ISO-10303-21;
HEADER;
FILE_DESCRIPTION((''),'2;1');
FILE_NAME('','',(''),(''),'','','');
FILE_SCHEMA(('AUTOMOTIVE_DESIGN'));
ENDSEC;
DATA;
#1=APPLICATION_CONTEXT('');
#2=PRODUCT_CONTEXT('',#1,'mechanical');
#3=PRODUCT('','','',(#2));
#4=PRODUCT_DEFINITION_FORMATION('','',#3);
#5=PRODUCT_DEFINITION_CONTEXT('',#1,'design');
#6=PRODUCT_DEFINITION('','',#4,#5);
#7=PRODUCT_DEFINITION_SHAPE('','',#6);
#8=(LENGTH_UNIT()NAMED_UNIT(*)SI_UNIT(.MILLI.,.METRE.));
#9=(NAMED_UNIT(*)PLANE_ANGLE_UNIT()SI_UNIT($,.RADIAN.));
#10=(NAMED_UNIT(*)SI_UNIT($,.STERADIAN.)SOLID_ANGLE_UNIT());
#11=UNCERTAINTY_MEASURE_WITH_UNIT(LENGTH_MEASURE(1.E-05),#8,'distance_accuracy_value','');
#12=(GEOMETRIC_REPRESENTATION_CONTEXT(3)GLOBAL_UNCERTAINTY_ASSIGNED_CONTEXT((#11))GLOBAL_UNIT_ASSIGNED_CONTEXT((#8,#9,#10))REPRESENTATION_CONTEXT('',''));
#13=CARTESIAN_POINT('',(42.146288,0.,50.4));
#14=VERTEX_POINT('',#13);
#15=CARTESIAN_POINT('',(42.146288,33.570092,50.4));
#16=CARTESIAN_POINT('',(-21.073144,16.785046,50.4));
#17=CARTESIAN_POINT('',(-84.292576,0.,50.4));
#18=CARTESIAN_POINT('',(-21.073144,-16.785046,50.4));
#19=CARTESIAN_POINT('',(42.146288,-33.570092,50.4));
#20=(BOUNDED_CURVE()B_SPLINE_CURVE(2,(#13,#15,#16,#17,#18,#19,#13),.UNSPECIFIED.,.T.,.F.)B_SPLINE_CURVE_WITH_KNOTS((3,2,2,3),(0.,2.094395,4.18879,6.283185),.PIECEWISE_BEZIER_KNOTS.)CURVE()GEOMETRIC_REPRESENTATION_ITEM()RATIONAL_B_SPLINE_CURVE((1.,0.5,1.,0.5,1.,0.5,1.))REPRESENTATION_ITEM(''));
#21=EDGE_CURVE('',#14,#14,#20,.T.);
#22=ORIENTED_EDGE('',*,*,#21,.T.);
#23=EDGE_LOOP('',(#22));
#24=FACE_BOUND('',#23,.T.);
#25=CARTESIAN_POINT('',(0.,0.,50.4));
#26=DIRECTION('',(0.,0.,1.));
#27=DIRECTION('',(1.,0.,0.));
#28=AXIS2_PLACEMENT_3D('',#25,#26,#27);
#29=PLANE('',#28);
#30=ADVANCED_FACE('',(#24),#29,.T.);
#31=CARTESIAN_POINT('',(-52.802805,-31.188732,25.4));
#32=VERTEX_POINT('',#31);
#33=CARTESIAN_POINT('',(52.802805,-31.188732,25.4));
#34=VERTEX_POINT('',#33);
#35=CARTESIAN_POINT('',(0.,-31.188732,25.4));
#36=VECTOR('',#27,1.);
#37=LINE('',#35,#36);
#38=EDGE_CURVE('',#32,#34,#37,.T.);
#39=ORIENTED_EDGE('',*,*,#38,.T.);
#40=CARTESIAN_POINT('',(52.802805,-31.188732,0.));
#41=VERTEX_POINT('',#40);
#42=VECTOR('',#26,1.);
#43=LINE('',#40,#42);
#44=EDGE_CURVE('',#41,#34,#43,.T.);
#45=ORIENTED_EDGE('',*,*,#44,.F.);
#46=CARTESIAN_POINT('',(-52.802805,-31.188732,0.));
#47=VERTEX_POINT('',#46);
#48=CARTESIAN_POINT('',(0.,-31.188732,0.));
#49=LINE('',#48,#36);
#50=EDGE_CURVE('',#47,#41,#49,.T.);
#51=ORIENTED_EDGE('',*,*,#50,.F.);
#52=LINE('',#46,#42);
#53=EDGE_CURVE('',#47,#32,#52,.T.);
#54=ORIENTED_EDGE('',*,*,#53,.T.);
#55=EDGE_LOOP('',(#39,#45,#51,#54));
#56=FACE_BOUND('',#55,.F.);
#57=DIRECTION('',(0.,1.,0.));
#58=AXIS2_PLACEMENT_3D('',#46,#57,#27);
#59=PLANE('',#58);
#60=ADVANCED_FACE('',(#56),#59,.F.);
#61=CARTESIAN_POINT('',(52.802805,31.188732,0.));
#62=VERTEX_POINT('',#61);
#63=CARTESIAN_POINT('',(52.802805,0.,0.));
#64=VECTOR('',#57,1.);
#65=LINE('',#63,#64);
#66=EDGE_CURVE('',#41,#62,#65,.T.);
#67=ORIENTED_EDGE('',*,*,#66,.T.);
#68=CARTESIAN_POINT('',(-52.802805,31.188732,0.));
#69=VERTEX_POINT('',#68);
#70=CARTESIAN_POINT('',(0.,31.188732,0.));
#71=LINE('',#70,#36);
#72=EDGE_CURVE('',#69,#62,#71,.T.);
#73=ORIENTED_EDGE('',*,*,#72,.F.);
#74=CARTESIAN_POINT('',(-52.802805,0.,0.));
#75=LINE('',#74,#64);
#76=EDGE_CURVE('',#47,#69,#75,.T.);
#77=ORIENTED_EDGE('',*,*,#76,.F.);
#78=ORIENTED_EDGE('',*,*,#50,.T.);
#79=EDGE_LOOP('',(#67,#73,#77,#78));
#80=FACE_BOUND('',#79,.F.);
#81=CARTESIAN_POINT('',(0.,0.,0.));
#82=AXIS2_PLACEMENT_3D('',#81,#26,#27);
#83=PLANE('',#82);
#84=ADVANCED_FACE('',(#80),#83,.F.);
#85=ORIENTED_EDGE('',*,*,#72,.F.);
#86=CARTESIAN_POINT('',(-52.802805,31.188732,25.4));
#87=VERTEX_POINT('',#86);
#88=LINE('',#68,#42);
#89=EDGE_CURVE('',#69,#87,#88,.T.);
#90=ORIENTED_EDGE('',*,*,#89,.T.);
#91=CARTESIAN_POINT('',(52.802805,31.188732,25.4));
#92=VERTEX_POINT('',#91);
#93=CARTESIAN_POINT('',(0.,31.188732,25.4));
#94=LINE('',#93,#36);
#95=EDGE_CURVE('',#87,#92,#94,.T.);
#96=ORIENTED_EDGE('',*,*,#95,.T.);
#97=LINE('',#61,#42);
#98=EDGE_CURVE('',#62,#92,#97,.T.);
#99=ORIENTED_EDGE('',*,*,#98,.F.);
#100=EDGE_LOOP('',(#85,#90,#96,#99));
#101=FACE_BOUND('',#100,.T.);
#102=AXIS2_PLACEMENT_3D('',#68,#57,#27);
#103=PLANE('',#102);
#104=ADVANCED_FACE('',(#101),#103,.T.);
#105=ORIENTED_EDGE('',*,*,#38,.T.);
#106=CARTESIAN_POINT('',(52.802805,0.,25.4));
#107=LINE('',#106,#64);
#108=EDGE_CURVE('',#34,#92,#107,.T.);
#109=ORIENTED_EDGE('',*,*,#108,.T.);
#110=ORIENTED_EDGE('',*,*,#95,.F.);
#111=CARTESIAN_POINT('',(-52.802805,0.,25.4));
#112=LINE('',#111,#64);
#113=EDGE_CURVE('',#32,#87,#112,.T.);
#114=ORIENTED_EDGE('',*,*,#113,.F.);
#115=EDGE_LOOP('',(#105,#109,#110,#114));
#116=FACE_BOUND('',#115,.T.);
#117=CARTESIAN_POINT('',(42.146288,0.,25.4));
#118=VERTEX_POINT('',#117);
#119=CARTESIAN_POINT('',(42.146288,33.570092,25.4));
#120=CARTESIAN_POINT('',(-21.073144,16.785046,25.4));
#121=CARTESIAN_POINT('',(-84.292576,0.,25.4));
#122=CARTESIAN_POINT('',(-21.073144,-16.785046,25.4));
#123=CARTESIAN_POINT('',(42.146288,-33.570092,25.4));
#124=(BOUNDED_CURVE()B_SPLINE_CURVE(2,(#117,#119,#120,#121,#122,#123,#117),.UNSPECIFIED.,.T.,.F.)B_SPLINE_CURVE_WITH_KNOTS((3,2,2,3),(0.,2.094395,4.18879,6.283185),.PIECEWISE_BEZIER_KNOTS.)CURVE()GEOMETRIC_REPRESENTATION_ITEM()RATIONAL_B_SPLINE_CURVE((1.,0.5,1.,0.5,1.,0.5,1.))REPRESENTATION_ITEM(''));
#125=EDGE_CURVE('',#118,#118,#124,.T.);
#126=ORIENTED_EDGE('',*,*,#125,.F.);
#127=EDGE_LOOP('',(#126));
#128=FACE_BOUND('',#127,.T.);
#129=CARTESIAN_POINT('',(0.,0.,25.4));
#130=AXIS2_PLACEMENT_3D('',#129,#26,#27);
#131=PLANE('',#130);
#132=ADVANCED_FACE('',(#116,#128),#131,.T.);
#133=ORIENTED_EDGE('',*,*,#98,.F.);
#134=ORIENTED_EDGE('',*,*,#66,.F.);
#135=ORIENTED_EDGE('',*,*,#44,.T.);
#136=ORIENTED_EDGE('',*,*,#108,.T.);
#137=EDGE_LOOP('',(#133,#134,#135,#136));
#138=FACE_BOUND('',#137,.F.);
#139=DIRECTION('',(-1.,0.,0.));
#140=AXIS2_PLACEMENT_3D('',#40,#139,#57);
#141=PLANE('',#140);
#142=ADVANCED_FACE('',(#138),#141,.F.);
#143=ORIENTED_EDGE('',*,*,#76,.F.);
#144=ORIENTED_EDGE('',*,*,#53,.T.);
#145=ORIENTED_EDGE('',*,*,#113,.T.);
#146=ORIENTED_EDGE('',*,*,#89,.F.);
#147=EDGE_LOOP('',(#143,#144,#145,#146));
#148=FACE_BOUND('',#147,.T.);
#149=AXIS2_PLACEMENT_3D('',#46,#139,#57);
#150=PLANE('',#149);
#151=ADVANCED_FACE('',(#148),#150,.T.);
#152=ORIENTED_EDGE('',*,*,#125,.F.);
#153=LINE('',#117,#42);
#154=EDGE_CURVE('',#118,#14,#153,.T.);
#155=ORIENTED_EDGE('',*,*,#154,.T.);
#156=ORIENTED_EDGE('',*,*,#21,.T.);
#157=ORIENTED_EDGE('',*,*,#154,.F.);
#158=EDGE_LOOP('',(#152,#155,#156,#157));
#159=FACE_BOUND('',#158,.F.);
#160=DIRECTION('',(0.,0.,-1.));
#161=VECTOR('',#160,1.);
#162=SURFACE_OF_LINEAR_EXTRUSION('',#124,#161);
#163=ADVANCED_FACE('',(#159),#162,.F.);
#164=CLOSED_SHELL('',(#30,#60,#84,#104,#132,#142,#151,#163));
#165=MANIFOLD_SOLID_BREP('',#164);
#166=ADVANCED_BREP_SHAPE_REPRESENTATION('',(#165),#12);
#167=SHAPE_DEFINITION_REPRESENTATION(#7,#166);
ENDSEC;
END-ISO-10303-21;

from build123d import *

# Parameters (mm, degrees)
F0_W     = 105.60561
F0_H     = 62.377464
F1_DEPTH = 25.4
F3_DEPTH = 25


with BuildPart() as f1:
    # F0 (on Top) → F1 (new body)
    with BuildSketch(Plane.XY):
        Rectangle(F0_W, F0_H)
    extrude(amount=F1_DEPTH)

    # F2 (on face) → F3 (join)
    with BuildSketch(Plane.XY.offset(25.4)):
        with BuildLine():
            add(Edge.make_bspline(
                [(42.146288, 0), (42.146288, 33.570092), (-21.073144, 16.785046), (-84.292576, 0), (-21.073144, -16.785046), (42.146288, -33.570092), (42.146288, 0)],
                knots=[0, 0, 0, 2.094395, 2.094395, 4.18879, 4.18879, 6.283185, 6.283185, 6.283185], degree=2, weights=[1, 0.5, 1, 0.5, 1, 0.5, 1]))
        make_face()
    extrude(amount=F3_DEPTH)


solid = f1.part
